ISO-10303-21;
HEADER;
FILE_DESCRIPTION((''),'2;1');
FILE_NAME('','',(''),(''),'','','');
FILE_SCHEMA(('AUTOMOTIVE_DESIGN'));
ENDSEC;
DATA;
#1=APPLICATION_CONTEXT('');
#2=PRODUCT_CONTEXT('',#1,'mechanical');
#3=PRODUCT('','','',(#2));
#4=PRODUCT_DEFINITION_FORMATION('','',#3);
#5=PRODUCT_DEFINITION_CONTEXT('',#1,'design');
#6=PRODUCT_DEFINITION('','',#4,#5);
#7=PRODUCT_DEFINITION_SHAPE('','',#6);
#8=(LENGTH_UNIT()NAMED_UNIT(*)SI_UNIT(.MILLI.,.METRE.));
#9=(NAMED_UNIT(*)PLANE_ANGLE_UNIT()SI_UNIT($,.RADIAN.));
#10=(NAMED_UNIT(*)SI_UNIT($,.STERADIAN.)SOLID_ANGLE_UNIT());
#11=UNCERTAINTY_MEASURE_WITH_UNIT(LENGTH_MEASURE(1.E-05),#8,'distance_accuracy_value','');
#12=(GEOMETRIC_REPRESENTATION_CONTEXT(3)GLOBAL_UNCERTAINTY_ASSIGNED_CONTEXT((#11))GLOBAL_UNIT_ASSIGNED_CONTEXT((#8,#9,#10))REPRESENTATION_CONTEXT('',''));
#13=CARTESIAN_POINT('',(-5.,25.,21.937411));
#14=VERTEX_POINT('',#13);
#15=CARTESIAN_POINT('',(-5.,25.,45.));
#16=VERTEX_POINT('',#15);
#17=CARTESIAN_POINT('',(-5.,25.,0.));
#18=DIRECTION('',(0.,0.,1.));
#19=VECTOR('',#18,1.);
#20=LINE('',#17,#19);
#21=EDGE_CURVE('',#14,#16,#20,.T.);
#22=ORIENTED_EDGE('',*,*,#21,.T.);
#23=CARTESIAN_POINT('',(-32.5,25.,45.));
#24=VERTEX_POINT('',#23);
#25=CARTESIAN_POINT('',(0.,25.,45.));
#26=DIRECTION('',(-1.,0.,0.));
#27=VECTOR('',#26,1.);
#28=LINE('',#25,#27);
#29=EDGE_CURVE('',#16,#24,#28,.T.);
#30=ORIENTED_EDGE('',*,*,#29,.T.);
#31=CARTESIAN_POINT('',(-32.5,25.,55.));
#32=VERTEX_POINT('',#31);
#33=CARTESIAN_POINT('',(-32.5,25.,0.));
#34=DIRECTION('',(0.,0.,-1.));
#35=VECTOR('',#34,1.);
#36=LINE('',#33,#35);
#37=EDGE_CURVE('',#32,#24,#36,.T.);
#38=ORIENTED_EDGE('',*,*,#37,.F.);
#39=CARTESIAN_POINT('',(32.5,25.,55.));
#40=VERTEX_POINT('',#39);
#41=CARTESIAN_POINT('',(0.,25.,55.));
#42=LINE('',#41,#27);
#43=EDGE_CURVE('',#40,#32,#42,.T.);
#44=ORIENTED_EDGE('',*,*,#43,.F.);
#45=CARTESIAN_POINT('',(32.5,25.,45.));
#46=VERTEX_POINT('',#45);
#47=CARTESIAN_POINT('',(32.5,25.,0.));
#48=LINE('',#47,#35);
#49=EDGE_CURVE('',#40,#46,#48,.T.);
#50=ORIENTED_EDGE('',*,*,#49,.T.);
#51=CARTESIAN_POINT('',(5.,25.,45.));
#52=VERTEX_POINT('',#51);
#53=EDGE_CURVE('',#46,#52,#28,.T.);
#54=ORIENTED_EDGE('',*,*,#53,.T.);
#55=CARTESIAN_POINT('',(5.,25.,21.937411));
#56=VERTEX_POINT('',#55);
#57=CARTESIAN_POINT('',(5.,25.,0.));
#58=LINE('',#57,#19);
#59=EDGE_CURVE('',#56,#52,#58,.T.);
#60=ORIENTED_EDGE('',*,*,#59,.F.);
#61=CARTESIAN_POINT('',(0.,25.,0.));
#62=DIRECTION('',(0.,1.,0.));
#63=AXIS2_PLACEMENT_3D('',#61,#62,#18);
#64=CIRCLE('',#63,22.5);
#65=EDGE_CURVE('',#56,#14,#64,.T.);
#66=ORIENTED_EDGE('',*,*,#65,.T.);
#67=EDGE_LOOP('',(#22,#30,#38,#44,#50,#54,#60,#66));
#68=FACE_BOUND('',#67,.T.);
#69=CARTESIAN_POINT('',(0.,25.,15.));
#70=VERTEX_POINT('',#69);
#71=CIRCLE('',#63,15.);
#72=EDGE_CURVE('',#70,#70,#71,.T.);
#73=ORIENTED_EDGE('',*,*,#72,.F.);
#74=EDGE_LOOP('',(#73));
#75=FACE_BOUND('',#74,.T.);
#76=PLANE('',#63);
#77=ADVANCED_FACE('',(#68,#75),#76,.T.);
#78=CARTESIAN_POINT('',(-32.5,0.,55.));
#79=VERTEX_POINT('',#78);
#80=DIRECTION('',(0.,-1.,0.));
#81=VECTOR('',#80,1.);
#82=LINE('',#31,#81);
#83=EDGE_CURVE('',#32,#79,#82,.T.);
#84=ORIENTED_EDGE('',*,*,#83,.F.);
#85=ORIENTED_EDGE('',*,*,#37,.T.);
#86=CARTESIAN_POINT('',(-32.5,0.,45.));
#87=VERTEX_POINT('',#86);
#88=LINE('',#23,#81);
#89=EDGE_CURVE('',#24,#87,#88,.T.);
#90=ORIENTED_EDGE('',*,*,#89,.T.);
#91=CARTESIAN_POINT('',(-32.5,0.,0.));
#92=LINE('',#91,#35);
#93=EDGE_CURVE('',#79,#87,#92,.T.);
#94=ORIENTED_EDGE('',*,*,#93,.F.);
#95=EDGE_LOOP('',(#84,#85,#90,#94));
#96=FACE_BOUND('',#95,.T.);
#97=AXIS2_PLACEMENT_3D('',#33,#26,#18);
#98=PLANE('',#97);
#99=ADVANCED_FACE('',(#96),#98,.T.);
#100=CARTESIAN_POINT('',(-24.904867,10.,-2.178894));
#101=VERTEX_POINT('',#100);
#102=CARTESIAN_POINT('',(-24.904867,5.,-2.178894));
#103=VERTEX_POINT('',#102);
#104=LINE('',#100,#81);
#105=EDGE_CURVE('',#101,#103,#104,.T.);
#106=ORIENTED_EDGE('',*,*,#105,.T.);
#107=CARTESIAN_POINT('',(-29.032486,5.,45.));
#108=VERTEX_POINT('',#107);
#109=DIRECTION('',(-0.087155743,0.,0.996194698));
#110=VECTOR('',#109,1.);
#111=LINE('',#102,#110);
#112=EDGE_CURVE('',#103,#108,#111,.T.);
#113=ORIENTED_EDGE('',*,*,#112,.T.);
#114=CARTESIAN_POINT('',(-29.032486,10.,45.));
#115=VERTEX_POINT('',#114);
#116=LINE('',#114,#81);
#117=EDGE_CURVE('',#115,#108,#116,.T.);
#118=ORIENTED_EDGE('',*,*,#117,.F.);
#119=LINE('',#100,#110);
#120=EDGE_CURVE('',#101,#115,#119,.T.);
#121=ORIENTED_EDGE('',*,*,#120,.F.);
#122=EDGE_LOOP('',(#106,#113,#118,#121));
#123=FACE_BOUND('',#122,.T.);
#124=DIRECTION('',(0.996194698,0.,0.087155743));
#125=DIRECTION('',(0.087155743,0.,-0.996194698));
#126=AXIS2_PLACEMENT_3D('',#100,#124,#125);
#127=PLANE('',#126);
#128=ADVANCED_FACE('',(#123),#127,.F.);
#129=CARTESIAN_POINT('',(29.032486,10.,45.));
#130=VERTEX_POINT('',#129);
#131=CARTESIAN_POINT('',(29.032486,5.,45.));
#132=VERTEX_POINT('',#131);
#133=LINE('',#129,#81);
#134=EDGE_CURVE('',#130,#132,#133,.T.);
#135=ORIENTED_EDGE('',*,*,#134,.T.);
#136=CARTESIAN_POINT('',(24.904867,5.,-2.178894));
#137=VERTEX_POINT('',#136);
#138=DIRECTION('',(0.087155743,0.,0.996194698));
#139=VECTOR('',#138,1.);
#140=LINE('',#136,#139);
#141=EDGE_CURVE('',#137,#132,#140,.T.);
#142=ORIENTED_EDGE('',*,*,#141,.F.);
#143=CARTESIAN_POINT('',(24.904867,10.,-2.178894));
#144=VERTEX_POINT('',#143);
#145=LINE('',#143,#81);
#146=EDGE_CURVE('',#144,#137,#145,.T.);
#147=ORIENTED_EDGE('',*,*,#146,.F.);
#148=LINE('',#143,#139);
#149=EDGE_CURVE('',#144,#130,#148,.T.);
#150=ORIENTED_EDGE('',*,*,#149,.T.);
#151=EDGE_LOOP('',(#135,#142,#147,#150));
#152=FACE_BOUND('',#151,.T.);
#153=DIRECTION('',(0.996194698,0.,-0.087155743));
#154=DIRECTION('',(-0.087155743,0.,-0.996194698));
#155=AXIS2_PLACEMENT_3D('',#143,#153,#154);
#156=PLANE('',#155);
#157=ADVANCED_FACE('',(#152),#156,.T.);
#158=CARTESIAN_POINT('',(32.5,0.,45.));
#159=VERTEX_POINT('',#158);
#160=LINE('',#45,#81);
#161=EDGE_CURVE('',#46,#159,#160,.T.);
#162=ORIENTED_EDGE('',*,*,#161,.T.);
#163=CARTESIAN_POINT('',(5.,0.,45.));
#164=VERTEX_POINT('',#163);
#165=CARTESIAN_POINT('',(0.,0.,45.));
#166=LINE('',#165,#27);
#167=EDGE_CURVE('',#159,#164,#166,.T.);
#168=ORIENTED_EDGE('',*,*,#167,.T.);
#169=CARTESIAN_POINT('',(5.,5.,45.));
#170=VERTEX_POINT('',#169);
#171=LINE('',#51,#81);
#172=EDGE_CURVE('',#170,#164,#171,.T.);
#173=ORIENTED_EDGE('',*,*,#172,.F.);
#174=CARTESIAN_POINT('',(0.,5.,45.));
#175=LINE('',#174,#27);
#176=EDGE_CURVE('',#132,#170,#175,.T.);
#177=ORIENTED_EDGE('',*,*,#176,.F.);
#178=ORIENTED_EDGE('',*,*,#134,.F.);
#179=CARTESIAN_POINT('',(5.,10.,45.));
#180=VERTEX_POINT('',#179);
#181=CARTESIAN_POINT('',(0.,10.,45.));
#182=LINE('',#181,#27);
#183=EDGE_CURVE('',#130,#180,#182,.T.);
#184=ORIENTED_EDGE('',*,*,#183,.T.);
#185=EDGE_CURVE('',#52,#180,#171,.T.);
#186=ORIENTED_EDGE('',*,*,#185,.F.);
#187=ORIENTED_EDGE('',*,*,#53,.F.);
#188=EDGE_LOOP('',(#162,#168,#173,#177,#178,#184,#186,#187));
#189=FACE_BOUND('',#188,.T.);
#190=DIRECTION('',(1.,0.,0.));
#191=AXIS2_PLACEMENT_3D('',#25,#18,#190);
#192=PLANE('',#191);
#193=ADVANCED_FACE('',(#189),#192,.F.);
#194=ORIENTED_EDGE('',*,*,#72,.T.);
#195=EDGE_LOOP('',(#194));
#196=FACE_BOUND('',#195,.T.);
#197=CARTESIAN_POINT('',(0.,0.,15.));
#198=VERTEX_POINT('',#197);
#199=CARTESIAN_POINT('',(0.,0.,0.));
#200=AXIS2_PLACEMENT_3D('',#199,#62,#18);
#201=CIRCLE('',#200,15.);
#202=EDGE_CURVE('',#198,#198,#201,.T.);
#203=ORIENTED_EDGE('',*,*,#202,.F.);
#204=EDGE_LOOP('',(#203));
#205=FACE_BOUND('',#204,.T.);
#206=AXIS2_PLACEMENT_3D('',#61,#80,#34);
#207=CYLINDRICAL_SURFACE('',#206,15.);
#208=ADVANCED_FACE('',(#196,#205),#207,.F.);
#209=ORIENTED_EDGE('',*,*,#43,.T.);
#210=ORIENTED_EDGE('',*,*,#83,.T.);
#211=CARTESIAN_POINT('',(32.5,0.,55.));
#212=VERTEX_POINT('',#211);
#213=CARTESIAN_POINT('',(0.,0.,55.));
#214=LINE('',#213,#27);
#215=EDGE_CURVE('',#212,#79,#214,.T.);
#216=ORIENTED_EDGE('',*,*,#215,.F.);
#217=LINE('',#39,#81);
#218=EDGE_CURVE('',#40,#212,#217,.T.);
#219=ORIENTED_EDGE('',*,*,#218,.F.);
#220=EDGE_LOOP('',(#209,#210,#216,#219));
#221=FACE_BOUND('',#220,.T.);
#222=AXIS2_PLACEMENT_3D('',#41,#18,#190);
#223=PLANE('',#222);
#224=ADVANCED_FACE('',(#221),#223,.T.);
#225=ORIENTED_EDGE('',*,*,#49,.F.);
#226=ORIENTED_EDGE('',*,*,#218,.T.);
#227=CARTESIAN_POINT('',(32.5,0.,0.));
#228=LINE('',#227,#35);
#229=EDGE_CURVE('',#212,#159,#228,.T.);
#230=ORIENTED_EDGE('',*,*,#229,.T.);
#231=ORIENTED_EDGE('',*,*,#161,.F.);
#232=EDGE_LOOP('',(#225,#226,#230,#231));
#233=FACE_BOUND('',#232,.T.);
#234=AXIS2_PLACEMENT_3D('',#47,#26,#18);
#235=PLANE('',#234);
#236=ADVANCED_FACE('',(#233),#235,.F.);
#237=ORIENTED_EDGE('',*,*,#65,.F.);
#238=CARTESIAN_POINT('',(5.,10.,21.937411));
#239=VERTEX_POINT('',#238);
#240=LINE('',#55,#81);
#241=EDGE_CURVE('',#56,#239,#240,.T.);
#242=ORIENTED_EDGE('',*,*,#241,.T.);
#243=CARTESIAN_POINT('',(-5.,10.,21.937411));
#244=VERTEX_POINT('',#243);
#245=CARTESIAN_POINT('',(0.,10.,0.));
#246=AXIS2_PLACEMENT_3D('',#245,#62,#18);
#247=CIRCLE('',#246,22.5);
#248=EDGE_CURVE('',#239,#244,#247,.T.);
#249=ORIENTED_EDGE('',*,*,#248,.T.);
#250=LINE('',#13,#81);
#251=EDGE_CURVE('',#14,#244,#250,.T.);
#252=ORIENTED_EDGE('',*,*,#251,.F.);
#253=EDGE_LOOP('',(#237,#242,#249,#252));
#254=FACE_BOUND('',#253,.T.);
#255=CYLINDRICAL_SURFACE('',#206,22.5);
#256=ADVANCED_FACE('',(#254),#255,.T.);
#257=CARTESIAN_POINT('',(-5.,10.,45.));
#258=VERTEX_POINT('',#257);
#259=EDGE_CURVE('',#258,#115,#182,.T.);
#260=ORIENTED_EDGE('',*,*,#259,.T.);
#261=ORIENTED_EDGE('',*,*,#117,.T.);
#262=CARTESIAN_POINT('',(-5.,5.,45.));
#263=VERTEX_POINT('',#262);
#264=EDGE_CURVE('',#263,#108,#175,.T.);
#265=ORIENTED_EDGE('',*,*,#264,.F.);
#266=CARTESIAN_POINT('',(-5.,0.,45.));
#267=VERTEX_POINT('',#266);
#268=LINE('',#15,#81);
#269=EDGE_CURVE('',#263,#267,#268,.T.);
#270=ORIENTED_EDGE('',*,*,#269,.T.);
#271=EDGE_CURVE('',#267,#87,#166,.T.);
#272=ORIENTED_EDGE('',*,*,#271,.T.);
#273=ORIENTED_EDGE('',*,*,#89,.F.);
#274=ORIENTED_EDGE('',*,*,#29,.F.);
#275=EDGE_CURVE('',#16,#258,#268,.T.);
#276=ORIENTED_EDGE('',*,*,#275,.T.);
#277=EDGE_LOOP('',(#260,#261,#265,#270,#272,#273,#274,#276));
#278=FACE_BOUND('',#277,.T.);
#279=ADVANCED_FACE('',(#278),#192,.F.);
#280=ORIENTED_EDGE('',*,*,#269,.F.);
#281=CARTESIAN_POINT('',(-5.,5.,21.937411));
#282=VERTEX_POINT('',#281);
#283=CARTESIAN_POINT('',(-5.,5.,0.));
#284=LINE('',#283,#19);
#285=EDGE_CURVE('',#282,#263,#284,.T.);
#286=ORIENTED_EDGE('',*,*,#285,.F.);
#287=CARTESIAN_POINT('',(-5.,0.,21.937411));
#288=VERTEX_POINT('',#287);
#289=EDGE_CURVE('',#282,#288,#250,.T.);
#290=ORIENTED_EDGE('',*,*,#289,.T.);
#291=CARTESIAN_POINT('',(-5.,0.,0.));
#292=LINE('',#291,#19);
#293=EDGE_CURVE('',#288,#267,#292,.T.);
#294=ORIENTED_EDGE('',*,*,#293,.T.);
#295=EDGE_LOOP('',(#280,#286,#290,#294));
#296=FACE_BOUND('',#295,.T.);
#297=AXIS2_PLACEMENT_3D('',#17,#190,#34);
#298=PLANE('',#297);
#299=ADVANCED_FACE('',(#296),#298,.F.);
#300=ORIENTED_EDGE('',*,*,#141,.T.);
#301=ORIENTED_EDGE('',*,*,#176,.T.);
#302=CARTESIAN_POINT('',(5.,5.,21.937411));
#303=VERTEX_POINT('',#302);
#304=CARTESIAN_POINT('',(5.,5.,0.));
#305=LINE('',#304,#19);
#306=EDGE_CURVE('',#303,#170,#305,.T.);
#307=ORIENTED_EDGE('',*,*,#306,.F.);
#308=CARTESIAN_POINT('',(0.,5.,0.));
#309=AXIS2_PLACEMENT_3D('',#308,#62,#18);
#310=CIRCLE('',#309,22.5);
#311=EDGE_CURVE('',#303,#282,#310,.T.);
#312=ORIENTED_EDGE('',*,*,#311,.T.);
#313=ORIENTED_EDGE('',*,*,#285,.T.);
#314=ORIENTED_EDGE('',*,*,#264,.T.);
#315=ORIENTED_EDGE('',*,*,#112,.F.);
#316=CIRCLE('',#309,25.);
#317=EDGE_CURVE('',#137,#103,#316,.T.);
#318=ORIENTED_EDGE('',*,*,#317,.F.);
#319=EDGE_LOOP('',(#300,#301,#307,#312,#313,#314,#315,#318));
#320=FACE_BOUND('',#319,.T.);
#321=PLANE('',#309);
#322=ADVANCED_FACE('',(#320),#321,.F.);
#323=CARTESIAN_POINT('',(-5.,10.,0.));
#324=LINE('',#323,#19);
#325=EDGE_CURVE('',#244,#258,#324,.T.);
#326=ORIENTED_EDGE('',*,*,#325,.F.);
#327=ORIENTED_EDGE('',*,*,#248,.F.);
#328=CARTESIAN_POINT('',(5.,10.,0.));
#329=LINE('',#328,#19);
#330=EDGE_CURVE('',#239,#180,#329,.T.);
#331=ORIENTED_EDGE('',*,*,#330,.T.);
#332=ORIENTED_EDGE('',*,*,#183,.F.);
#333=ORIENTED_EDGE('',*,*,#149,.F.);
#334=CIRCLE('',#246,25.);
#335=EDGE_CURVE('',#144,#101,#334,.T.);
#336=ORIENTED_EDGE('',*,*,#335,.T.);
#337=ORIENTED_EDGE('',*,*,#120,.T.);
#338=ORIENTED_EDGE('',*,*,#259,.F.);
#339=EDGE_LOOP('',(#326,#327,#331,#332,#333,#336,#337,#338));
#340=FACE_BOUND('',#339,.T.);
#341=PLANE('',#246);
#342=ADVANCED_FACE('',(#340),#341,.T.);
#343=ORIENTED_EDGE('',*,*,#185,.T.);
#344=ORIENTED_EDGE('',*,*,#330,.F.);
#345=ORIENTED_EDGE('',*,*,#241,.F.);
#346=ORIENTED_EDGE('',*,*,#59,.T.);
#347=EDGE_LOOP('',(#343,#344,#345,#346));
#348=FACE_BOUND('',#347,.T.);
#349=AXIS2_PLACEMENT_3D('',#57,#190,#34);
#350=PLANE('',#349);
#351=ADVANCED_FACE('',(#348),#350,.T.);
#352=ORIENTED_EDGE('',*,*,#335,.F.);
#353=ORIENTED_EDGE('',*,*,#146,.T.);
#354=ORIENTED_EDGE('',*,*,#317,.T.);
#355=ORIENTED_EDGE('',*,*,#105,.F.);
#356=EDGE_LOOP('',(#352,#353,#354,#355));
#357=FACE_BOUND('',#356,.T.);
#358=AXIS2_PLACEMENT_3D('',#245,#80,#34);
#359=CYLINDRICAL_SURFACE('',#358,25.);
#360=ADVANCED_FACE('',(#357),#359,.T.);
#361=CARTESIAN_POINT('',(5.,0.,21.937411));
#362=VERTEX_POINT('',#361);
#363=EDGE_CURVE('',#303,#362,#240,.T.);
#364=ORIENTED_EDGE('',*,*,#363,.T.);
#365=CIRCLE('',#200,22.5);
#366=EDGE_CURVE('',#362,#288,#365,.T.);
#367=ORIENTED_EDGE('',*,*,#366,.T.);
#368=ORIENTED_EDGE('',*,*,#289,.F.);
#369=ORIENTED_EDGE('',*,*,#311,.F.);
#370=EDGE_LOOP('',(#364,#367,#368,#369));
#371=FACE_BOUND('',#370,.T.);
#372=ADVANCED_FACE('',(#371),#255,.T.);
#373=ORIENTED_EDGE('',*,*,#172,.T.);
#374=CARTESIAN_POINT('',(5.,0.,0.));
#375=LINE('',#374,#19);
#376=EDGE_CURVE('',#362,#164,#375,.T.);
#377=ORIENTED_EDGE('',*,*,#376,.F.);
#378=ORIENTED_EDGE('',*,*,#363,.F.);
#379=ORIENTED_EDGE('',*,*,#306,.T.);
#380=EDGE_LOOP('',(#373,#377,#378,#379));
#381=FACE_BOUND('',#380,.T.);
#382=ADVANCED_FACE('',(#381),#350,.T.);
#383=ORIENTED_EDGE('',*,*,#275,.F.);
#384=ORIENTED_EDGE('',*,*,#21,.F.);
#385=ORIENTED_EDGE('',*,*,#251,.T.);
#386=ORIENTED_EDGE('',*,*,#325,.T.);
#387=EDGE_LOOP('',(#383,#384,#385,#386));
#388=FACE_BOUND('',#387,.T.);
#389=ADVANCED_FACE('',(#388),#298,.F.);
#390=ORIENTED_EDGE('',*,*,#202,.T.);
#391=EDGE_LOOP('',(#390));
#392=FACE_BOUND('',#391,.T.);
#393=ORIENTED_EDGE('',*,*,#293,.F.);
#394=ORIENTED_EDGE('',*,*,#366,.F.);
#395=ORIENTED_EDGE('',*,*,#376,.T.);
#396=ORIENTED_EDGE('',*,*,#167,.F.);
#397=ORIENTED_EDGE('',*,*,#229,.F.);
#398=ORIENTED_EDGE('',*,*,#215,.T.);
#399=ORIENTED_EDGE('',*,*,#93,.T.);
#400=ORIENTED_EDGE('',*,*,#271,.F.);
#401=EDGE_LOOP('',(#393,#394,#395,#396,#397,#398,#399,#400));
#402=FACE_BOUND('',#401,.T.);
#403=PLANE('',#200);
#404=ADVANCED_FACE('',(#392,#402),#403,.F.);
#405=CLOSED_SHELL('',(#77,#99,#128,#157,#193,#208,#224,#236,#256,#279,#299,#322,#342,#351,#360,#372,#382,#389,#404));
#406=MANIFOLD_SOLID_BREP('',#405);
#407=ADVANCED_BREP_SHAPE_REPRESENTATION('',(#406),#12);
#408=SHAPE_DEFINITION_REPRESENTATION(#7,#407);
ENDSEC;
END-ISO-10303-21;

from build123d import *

# Parameters (mm, degrees)
SKETCH1_R           = 15
BOSS_EXTRUDE1_DEPTH = 25
BOSS_EXTRUDE2_START = 5
BOSS_EXTRUDE2_DEPTH = 5


with BuildPart() as part:
    # Sketch1 → Boss-Extrude1 (new body)
    with BuildSketch(Plane(origin=(0, 0, 0), x_dir=(1, 0, 0), z_dir=(0, 1, 0))):
        with BuildLine():
            Line((-32.5, -45), (-32.5, -55))
            Line((-32.5, -55), (32.5, -55))
            Line((32.5, -55), (32.5, -45))
            Line((32.5, -45), (5, -45))
            Line((5, -45), (5, -21.937410968))
            ThreePointArc((5, -21.937410968), (0, 22.5), (-5, -21.937410968))
            Line((-5, -21.937410968), (-5, -45))
            Line((-5, -45), (-32.5, -45))
        make_face()
        with Locations(Location((0, 0, 0), (0, 0, 270))):
            Circle(SKETCH1_R, mode=Mode.SUBTRACT)
    extrude(amount=BOSS_EXTRUDE1_DEPTH)

    # Sketch1<3> → Boss-Extrude2 (add)
    with BuildSketch(Plane(origin=(0, 0, 0), x_dir=(1, 0, 0), z_dir=(0, 1, 0)).offset(BOSS_EXTRUDE2_START)):
        with BuildLine():
            ThreePointArc((24.904867452, 2.178893569), (0, 25), (-24.904867452, 2.178893569))
            Line((-24.904867452, 2.178893569), (-29.032485797, -45))
            Line((-29.032485797, -45), (-5, -45))
            Line((-5, -45), (-5, -24.494897428))
            Line((-5, -24.494897428), (-5, -21.937410968))
            ThreePointArc((-5, -21.937410968), (-14.0312152, 17.589059099), (22.5, 0))
            ThreePointArc((22.5, 0), (17.589059099, -14.0312152), (5, -21.937410968))
            Line((5, -21.937410968), (5, -24.494897428))
            Line((5, -24.494897428), (5, -45))
            Line((5, -45), (29.032485797, -45))
            Line((29.032485797, -45), (24.904867452, 2.178893569))
        make_face()
    extrude(amount=BOSS_EXTRUDE2_DEPTH)


solid = part.part
